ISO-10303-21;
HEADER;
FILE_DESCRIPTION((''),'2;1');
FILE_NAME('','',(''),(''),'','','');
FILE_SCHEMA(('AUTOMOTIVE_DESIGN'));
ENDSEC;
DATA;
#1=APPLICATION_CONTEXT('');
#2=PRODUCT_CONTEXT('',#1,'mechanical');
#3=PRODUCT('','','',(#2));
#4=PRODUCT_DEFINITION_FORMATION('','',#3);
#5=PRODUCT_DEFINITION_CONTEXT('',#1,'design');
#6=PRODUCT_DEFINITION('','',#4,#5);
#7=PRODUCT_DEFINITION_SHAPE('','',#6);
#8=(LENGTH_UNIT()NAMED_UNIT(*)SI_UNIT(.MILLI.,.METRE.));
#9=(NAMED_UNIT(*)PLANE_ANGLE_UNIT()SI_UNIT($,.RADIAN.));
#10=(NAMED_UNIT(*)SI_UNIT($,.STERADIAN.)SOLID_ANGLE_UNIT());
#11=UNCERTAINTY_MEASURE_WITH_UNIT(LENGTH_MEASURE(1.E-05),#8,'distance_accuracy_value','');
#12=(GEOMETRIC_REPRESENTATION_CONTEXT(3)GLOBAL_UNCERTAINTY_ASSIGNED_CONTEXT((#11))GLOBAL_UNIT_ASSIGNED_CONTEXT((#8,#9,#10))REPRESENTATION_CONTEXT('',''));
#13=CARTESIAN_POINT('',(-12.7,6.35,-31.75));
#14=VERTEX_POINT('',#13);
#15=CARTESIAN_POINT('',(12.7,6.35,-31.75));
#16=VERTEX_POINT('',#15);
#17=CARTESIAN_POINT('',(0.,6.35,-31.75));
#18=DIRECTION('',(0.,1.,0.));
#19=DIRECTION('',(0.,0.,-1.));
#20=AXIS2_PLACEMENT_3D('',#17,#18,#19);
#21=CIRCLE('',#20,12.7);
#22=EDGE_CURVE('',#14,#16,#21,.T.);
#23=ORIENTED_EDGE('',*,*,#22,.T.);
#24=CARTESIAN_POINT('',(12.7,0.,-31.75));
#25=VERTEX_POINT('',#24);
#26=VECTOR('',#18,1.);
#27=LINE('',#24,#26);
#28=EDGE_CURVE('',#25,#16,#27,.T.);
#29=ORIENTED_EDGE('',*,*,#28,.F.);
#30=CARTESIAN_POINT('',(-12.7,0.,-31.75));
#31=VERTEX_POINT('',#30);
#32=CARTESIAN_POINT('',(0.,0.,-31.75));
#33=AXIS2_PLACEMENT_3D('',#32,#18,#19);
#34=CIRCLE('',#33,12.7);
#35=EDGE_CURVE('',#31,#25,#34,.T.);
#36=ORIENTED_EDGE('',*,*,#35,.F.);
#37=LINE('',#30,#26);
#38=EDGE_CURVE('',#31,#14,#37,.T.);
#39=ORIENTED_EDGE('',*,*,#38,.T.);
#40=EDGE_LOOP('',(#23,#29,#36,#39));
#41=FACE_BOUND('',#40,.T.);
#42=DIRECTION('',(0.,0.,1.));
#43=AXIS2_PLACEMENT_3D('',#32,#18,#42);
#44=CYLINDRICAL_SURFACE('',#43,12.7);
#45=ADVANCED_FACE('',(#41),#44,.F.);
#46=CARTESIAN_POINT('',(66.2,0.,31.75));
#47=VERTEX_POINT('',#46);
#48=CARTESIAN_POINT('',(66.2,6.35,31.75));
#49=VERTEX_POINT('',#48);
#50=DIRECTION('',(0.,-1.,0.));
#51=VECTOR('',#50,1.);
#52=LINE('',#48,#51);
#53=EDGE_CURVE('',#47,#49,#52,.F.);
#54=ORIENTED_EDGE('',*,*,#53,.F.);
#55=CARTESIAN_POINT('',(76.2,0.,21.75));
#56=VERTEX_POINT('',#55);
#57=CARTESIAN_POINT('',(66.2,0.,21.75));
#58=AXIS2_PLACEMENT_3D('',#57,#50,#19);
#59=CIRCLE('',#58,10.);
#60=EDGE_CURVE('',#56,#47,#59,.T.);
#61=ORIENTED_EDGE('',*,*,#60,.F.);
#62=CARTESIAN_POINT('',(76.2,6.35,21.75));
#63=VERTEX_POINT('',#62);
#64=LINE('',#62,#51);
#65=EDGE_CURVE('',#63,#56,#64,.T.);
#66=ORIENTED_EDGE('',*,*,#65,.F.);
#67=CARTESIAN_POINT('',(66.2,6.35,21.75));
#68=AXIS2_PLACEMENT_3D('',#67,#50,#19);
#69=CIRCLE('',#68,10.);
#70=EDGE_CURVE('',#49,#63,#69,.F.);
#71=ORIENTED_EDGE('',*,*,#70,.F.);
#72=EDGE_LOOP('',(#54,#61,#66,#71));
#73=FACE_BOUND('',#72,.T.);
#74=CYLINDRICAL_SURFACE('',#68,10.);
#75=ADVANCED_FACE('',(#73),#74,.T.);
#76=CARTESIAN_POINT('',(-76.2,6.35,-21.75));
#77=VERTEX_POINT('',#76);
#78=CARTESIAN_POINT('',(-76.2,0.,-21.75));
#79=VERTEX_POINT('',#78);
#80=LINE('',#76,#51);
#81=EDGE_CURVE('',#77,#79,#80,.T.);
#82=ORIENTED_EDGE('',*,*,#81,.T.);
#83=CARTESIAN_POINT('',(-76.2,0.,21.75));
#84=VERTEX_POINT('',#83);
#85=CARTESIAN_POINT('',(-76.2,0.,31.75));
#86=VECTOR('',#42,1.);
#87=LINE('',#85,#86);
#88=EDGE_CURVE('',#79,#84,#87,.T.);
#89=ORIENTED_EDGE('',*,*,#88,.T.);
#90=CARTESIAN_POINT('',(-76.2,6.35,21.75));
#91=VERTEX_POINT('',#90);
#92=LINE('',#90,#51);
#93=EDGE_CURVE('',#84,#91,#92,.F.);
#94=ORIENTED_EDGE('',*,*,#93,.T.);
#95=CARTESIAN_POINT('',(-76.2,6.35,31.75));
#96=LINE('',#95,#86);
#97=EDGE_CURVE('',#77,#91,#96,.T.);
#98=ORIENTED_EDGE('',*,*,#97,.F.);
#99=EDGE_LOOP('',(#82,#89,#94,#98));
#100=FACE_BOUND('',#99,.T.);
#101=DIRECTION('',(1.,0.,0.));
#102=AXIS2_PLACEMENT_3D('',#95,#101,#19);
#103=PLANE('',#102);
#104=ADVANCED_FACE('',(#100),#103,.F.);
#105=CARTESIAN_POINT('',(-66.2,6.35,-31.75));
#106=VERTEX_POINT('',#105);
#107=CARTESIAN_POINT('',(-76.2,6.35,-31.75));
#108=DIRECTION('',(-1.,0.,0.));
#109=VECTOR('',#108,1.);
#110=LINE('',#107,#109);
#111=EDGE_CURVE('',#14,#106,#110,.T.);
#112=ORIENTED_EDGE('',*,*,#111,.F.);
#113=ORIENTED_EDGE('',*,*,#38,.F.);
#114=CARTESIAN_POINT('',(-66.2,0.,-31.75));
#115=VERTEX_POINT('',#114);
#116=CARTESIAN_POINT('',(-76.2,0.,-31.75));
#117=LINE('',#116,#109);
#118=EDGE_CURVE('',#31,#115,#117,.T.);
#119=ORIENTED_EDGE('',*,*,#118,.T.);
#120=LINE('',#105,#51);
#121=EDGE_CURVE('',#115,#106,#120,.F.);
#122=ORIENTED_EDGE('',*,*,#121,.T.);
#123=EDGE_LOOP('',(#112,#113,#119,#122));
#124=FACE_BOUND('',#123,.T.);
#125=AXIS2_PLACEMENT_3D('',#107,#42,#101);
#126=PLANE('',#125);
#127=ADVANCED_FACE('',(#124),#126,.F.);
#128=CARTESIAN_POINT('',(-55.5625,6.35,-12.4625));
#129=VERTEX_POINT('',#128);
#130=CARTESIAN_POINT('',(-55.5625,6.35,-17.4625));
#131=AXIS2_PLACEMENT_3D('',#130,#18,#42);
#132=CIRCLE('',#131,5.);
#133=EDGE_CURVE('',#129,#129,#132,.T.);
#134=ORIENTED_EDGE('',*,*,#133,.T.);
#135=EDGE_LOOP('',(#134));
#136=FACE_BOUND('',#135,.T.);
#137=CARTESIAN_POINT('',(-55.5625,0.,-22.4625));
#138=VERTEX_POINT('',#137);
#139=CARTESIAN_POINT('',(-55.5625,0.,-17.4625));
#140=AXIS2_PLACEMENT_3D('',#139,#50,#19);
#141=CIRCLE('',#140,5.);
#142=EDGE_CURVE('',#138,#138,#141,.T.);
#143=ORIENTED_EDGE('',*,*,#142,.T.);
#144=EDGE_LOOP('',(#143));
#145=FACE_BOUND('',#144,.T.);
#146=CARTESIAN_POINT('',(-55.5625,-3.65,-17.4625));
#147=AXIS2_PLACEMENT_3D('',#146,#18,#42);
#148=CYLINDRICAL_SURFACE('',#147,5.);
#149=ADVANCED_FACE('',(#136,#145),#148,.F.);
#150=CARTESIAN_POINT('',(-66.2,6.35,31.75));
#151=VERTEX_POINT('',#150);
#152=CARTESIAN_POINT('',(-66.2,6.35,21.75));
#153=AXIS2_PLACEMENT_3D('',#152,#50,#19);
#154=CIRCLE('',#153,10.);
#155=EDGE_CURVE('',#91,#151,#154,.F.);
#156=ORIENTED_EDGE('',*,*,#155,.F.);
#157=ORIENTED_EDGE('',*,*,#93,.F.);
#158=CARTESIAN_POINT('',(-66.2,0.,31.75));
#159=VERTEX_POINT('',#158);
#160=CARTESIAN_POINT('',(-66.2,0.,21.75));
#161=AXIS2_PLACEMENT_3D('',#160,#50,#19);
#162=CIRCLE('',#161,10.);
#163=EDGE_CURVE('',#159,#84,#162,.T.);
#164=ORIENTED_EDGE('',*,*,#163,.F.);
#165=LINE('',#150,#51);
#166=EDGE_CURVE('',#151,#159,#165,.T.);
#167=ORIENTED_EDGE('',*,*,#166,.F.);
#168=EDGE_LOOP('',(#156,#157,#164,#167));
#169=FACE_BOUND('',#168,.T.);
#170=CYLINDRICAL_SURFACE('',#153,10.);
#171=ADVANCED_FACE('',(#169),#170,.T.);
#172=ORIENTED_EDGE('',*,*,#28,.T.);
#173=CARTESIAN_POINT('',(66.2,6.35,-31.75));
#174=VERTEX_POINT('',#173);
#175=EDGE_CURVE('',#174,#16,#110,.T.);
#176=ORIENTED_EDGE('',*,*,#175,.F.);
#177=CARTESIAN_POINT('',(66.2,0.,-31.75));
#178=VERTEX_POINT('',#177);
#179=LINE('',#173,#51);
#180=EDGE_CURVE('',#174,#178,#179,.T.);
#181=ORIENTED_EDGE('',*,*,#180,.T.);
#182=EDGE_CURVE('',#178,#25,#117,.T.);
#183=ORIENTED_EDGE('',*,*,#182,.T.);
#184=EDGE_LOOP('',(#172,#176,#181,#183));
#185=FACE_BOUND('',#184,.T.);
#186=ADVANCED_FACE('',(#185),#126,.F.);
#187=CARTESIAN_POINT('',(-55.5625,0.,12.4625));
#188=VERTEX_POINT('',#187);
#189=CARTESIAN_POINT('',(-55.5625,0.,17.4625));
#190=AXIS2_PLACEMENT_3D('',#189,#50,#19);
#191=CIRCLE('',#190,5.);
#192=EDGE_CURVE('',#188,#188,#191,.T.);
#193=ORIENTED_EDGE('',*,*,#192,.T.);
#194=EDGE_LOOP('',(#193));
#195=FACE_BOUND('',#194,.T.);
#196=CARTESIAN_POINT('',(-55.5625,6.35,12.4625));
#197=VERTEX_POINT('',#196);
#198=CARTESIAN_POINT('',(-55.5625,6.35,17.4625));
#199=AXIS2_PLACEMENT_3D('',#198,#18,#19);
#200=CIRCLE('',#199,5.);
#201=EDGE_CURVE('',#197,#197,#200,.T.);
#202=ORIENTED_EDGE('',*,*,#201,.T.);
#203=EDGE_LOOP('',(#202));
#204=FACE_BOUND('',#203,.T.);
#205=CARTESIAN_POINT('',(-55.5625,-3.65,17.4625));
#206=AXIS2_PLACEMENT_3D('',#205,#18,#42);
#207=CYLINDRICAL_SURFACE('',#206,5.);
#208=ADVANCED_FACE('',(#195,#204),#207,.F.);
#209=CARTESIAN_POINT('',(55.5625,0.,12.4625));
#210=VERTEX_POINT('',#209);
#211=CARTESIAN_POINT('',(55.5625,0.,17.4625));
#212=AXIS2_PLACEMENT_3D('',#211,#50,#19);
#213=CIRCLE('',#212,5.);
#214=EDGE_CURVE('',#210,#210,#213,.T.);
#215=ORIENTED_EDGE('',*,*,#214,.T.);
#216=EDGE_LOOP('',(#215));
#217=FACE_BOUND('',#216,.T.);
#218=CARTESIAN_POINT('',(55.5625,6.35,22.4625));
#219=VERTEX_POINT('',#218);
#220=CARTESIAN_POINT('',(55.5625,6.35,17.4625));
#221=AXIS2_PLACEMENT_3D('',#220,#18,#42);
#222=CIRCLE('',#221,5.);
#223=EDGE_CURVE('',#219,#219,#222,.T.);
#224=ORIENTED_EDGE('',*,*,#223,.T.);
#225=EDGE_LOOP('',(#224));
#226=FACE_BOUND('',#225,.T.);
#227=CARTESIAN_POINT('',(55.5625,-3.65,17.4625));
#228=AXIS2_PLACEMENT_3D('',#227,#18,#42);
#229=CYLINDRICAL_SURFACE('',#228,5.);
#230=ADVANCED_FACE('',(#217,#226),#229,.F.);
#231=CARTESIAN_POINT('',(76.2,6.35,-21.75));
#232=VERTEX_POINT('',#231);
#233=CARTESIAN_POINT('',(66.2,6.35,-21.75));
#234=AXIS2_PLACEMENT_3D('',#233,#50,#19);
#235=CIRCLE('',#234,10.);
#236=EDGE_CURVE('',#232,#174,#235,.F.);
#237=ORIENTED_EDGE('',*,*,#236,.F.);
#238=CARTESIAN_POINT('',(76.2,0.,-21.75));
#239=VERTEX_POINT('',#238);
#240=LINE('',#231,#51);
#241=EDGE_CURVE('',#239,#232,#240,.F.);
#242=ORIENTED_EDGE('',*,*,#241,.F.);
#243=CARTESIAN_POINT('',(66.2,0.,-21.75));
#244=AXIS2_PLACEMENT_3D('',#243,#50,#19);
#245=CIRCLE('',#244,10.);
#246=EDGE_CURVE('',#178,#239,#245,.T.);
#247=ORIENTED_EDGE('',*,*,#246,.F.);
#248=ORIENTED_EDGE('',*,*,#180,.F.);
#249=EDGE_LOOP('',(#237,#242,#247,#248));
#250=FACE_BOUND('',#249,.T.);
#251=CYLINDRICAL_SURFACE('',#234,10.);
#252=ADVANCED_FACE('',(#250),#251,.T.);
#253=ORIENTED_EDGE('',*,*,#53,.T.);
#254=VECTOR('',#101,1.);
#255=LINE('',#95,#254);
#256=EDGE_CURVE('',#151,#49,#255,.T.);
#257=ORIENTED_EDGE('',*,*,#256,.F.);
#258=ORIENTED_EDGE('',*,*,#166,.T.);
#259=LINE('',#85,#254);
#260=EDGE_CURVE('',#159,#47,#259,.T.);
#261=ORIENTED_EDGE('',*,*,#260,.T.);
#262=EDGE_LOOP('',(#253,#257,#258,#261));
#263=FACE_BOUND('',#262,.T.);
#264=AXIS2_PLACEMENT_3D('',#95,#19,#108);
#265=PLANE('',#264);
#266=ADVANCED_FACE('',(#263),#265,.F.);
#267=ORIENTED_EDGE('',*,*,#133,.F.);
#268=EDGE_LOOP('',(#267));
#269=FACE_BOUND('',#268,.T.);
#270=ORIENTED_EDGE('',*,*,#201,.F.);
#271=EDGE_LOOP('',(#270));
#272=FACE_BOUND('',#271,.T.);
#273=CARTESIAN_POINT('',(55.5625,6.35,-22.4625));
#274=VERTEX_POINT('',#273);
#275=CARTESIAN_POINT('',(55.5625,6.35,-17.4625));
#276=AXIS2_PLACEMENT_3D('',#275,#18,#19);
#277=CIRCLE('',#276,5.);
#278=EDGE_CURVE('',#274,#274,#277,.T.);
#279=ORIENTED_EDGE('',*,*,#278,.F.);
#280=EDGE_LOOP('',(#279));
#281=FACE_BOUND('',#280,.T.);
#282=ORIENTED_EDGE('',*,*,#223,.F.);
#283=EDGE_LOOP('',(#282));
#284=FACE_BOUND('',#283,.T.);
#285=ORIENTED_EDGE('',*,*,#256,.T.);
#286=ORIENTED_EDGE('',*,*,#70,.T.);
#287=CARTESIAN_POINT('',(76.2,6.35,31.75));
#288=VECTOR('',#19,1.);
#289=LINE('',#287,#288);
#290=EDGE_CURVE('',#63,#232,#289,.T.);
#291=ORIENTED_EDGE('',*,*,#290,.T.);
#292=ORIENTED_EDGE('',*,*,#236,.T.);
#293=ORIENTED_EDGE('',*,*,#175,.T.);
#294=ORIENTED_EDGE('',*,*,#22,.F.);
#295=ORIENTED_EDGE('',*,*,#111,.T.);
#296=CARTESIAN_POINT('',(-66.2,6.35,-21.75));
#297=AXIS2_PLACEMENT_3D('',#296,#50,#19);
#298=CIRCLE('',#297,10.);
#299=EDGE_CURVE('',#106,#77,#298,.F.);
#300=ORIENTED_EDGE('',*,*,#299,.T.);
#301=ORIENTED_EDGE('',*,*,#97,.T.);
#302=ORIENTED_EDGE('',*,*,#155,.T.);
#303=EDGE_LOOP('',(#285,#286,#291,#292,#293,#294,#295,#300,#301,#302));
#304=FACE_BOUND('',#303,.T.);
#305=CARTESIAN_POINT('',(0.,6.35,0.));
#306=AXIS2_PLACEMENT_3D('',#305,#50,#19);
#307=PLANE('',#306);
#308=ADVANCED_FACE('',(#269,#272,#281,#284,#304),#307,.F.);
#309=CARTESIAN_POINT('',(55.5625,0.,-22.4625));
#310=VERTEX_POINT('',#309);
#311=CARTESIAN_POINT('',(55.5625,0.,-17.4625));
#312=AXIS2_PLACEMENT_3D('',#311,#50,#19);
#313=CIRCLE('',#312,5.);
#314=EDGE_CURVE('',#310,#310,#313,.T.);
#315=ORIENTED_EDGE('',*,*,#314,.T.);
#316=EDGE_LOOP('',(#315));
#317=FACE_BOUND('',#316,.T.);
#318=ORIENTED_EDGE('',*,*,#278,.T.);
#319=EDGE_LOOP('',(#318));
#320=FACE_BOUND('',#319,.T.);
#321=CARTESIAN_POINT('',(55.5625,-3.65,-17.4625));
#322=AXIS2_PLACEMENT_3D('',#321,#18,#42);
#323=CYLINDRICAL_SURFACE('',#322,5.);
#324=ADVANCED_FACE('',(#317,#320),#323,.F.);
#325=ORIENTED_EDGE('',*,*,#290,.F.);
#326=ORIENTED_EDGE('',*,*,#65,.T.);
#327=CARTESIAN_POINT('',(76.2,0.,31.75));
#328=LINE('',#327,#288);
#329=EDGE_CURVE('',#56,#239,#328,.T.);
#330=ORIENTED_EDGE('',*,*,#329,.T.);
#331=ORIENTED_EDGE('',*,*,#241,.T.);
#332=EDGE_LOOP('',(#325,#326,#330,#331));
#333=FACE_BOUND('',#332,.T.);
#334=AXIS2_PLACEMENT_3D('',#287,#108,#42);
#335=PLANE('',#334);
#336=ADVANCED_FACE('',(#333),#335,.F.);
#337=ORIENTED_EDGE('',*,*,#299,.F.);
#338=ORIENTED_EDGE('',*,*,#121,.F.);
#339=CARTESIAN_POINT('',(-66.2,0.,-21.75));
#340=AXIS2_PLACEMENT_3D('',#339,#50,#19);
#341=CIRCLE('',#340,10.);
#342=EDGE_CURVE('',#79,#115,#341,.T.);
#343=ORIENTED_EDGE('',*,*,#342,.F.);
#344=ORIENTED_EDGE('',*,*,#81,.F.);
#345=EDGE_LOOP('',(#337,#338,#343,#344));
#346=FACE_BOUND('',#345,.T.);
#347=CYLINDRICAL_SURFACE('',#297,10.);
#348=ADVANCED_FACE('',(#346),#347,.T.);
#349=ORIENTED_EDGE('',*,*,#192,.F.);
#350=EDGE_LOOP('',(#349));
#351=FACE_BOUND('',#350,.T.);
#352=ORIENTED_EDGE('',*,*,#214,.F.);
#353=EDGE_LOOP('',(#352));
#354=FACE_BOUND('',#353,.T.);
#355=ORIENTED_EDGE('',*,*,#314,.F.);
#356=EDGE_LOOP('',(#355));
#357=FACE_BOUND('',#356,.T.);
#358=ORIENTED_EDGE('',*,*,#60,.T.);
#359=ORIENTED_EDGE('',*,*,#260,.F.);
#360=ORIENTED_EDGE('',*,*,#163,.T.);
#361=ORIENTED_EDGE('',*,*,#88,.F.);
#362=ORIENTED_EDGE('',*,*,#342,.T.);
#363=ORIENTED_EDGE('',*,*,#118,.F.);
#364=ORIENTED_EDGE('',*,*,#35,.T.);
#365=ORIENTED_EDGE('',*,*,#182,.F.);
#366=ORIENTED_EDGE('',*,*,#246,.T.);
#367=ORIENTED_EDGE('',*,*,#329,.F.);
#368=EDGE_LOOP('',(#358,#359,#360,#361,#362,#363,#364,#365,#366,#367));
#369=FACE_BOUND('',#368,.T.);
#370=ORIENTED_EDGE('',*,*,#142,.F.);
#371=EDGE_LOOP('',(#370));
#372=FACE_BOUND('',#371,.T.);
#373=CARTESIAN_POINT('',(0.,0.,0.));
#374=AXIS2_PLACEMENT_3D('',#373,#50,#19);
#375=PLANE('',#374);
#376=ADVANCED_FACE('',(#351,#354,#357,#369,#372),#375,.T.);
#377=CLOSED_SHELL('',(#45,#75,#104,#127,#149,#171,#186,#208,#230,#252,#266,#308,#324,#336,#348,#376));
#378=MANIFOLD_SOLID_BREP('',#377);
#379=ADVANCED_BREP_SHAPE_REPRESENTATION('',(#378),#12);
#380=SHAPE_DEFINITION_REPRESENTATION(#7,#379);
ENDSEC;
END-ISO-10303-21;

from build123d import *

# Parameters (mm, degrees)
SKETCH1_W           = 152.4
SKETCH1_H           = 63.5
BOSS_EXTRUDE1_DEPTH = 6.35
FILLET1_R           = 10
CUT_EXTRUDE4_DEPTH  = 6.35
SKETCH2_R           = 5
CUT_EXTRUDE5_DEPTH  = 10


with BuildPart() as part:
    # Sketch1 → Boss-Extrude1 (new body)
    with BuildSketch(Plane(origin=(0, 0, 0), x_dir=(1, 0, 0), z_dir=(0, 1, 0))):
        Rectangle(SKETCH1_W, SKETCH1_H)
    extrude(amount=BOSS_EXTRUDE1_DEPTH)

    # Fillet1
    fillet1_edges = [part.edges().sort_by_distance(p)[0] for p in [
        (76.2, 3.175, 31.75),
        (-76.2, 3.175, 31.75),
        (-76.2, 3.175, -31.75),
        (76.2, 3.175, -31.75),
    ]]
    fillet(fillet1_edges, radius=FILLET1_R)

    # Sketch3 → Cut-Extrude4 (cut)
    with BuildSketch(Plane(origin=(0, 6.35, 0), x_dir=(1, 0, 0), z_dir=(0, 1, 0))):
        with BuildLine():
            Line((-12.7, 31.75), (12.7, 31.75))
            ThreePointArc((12.7, 31.75), (0, 19.05), (-12.7, 31.75))
        make_face()
    extrude(amount=-CUT_EXTRUDE4_DEPTH, mode=Mode.SUBTRACT)

    # Sketch2 → Cut-Extrude5 (cut)
    with BuildSketch(Plane(origin=(0, 6.35, 0), x_dir=(1, 0, 0), z_dir=(0, 1, 0))):
        with Locations((-55.5625, 17.4625)):
            Circle(SKETCH2_R)
        with Locations((55.5625, 17.4625)):
            Circle(SKETCH2_R)
        with Locations((55.5625, -17.4625)):
            Circle(SKETCH2_R)
        with Locations((-55.5625, -17.4625)):
            Circle(SKETCH2_R)
    extrude(amount=-CUT_EXTRUDE5_DEPTH, mode=Mode.SUBTRACT)


solid = part.part
